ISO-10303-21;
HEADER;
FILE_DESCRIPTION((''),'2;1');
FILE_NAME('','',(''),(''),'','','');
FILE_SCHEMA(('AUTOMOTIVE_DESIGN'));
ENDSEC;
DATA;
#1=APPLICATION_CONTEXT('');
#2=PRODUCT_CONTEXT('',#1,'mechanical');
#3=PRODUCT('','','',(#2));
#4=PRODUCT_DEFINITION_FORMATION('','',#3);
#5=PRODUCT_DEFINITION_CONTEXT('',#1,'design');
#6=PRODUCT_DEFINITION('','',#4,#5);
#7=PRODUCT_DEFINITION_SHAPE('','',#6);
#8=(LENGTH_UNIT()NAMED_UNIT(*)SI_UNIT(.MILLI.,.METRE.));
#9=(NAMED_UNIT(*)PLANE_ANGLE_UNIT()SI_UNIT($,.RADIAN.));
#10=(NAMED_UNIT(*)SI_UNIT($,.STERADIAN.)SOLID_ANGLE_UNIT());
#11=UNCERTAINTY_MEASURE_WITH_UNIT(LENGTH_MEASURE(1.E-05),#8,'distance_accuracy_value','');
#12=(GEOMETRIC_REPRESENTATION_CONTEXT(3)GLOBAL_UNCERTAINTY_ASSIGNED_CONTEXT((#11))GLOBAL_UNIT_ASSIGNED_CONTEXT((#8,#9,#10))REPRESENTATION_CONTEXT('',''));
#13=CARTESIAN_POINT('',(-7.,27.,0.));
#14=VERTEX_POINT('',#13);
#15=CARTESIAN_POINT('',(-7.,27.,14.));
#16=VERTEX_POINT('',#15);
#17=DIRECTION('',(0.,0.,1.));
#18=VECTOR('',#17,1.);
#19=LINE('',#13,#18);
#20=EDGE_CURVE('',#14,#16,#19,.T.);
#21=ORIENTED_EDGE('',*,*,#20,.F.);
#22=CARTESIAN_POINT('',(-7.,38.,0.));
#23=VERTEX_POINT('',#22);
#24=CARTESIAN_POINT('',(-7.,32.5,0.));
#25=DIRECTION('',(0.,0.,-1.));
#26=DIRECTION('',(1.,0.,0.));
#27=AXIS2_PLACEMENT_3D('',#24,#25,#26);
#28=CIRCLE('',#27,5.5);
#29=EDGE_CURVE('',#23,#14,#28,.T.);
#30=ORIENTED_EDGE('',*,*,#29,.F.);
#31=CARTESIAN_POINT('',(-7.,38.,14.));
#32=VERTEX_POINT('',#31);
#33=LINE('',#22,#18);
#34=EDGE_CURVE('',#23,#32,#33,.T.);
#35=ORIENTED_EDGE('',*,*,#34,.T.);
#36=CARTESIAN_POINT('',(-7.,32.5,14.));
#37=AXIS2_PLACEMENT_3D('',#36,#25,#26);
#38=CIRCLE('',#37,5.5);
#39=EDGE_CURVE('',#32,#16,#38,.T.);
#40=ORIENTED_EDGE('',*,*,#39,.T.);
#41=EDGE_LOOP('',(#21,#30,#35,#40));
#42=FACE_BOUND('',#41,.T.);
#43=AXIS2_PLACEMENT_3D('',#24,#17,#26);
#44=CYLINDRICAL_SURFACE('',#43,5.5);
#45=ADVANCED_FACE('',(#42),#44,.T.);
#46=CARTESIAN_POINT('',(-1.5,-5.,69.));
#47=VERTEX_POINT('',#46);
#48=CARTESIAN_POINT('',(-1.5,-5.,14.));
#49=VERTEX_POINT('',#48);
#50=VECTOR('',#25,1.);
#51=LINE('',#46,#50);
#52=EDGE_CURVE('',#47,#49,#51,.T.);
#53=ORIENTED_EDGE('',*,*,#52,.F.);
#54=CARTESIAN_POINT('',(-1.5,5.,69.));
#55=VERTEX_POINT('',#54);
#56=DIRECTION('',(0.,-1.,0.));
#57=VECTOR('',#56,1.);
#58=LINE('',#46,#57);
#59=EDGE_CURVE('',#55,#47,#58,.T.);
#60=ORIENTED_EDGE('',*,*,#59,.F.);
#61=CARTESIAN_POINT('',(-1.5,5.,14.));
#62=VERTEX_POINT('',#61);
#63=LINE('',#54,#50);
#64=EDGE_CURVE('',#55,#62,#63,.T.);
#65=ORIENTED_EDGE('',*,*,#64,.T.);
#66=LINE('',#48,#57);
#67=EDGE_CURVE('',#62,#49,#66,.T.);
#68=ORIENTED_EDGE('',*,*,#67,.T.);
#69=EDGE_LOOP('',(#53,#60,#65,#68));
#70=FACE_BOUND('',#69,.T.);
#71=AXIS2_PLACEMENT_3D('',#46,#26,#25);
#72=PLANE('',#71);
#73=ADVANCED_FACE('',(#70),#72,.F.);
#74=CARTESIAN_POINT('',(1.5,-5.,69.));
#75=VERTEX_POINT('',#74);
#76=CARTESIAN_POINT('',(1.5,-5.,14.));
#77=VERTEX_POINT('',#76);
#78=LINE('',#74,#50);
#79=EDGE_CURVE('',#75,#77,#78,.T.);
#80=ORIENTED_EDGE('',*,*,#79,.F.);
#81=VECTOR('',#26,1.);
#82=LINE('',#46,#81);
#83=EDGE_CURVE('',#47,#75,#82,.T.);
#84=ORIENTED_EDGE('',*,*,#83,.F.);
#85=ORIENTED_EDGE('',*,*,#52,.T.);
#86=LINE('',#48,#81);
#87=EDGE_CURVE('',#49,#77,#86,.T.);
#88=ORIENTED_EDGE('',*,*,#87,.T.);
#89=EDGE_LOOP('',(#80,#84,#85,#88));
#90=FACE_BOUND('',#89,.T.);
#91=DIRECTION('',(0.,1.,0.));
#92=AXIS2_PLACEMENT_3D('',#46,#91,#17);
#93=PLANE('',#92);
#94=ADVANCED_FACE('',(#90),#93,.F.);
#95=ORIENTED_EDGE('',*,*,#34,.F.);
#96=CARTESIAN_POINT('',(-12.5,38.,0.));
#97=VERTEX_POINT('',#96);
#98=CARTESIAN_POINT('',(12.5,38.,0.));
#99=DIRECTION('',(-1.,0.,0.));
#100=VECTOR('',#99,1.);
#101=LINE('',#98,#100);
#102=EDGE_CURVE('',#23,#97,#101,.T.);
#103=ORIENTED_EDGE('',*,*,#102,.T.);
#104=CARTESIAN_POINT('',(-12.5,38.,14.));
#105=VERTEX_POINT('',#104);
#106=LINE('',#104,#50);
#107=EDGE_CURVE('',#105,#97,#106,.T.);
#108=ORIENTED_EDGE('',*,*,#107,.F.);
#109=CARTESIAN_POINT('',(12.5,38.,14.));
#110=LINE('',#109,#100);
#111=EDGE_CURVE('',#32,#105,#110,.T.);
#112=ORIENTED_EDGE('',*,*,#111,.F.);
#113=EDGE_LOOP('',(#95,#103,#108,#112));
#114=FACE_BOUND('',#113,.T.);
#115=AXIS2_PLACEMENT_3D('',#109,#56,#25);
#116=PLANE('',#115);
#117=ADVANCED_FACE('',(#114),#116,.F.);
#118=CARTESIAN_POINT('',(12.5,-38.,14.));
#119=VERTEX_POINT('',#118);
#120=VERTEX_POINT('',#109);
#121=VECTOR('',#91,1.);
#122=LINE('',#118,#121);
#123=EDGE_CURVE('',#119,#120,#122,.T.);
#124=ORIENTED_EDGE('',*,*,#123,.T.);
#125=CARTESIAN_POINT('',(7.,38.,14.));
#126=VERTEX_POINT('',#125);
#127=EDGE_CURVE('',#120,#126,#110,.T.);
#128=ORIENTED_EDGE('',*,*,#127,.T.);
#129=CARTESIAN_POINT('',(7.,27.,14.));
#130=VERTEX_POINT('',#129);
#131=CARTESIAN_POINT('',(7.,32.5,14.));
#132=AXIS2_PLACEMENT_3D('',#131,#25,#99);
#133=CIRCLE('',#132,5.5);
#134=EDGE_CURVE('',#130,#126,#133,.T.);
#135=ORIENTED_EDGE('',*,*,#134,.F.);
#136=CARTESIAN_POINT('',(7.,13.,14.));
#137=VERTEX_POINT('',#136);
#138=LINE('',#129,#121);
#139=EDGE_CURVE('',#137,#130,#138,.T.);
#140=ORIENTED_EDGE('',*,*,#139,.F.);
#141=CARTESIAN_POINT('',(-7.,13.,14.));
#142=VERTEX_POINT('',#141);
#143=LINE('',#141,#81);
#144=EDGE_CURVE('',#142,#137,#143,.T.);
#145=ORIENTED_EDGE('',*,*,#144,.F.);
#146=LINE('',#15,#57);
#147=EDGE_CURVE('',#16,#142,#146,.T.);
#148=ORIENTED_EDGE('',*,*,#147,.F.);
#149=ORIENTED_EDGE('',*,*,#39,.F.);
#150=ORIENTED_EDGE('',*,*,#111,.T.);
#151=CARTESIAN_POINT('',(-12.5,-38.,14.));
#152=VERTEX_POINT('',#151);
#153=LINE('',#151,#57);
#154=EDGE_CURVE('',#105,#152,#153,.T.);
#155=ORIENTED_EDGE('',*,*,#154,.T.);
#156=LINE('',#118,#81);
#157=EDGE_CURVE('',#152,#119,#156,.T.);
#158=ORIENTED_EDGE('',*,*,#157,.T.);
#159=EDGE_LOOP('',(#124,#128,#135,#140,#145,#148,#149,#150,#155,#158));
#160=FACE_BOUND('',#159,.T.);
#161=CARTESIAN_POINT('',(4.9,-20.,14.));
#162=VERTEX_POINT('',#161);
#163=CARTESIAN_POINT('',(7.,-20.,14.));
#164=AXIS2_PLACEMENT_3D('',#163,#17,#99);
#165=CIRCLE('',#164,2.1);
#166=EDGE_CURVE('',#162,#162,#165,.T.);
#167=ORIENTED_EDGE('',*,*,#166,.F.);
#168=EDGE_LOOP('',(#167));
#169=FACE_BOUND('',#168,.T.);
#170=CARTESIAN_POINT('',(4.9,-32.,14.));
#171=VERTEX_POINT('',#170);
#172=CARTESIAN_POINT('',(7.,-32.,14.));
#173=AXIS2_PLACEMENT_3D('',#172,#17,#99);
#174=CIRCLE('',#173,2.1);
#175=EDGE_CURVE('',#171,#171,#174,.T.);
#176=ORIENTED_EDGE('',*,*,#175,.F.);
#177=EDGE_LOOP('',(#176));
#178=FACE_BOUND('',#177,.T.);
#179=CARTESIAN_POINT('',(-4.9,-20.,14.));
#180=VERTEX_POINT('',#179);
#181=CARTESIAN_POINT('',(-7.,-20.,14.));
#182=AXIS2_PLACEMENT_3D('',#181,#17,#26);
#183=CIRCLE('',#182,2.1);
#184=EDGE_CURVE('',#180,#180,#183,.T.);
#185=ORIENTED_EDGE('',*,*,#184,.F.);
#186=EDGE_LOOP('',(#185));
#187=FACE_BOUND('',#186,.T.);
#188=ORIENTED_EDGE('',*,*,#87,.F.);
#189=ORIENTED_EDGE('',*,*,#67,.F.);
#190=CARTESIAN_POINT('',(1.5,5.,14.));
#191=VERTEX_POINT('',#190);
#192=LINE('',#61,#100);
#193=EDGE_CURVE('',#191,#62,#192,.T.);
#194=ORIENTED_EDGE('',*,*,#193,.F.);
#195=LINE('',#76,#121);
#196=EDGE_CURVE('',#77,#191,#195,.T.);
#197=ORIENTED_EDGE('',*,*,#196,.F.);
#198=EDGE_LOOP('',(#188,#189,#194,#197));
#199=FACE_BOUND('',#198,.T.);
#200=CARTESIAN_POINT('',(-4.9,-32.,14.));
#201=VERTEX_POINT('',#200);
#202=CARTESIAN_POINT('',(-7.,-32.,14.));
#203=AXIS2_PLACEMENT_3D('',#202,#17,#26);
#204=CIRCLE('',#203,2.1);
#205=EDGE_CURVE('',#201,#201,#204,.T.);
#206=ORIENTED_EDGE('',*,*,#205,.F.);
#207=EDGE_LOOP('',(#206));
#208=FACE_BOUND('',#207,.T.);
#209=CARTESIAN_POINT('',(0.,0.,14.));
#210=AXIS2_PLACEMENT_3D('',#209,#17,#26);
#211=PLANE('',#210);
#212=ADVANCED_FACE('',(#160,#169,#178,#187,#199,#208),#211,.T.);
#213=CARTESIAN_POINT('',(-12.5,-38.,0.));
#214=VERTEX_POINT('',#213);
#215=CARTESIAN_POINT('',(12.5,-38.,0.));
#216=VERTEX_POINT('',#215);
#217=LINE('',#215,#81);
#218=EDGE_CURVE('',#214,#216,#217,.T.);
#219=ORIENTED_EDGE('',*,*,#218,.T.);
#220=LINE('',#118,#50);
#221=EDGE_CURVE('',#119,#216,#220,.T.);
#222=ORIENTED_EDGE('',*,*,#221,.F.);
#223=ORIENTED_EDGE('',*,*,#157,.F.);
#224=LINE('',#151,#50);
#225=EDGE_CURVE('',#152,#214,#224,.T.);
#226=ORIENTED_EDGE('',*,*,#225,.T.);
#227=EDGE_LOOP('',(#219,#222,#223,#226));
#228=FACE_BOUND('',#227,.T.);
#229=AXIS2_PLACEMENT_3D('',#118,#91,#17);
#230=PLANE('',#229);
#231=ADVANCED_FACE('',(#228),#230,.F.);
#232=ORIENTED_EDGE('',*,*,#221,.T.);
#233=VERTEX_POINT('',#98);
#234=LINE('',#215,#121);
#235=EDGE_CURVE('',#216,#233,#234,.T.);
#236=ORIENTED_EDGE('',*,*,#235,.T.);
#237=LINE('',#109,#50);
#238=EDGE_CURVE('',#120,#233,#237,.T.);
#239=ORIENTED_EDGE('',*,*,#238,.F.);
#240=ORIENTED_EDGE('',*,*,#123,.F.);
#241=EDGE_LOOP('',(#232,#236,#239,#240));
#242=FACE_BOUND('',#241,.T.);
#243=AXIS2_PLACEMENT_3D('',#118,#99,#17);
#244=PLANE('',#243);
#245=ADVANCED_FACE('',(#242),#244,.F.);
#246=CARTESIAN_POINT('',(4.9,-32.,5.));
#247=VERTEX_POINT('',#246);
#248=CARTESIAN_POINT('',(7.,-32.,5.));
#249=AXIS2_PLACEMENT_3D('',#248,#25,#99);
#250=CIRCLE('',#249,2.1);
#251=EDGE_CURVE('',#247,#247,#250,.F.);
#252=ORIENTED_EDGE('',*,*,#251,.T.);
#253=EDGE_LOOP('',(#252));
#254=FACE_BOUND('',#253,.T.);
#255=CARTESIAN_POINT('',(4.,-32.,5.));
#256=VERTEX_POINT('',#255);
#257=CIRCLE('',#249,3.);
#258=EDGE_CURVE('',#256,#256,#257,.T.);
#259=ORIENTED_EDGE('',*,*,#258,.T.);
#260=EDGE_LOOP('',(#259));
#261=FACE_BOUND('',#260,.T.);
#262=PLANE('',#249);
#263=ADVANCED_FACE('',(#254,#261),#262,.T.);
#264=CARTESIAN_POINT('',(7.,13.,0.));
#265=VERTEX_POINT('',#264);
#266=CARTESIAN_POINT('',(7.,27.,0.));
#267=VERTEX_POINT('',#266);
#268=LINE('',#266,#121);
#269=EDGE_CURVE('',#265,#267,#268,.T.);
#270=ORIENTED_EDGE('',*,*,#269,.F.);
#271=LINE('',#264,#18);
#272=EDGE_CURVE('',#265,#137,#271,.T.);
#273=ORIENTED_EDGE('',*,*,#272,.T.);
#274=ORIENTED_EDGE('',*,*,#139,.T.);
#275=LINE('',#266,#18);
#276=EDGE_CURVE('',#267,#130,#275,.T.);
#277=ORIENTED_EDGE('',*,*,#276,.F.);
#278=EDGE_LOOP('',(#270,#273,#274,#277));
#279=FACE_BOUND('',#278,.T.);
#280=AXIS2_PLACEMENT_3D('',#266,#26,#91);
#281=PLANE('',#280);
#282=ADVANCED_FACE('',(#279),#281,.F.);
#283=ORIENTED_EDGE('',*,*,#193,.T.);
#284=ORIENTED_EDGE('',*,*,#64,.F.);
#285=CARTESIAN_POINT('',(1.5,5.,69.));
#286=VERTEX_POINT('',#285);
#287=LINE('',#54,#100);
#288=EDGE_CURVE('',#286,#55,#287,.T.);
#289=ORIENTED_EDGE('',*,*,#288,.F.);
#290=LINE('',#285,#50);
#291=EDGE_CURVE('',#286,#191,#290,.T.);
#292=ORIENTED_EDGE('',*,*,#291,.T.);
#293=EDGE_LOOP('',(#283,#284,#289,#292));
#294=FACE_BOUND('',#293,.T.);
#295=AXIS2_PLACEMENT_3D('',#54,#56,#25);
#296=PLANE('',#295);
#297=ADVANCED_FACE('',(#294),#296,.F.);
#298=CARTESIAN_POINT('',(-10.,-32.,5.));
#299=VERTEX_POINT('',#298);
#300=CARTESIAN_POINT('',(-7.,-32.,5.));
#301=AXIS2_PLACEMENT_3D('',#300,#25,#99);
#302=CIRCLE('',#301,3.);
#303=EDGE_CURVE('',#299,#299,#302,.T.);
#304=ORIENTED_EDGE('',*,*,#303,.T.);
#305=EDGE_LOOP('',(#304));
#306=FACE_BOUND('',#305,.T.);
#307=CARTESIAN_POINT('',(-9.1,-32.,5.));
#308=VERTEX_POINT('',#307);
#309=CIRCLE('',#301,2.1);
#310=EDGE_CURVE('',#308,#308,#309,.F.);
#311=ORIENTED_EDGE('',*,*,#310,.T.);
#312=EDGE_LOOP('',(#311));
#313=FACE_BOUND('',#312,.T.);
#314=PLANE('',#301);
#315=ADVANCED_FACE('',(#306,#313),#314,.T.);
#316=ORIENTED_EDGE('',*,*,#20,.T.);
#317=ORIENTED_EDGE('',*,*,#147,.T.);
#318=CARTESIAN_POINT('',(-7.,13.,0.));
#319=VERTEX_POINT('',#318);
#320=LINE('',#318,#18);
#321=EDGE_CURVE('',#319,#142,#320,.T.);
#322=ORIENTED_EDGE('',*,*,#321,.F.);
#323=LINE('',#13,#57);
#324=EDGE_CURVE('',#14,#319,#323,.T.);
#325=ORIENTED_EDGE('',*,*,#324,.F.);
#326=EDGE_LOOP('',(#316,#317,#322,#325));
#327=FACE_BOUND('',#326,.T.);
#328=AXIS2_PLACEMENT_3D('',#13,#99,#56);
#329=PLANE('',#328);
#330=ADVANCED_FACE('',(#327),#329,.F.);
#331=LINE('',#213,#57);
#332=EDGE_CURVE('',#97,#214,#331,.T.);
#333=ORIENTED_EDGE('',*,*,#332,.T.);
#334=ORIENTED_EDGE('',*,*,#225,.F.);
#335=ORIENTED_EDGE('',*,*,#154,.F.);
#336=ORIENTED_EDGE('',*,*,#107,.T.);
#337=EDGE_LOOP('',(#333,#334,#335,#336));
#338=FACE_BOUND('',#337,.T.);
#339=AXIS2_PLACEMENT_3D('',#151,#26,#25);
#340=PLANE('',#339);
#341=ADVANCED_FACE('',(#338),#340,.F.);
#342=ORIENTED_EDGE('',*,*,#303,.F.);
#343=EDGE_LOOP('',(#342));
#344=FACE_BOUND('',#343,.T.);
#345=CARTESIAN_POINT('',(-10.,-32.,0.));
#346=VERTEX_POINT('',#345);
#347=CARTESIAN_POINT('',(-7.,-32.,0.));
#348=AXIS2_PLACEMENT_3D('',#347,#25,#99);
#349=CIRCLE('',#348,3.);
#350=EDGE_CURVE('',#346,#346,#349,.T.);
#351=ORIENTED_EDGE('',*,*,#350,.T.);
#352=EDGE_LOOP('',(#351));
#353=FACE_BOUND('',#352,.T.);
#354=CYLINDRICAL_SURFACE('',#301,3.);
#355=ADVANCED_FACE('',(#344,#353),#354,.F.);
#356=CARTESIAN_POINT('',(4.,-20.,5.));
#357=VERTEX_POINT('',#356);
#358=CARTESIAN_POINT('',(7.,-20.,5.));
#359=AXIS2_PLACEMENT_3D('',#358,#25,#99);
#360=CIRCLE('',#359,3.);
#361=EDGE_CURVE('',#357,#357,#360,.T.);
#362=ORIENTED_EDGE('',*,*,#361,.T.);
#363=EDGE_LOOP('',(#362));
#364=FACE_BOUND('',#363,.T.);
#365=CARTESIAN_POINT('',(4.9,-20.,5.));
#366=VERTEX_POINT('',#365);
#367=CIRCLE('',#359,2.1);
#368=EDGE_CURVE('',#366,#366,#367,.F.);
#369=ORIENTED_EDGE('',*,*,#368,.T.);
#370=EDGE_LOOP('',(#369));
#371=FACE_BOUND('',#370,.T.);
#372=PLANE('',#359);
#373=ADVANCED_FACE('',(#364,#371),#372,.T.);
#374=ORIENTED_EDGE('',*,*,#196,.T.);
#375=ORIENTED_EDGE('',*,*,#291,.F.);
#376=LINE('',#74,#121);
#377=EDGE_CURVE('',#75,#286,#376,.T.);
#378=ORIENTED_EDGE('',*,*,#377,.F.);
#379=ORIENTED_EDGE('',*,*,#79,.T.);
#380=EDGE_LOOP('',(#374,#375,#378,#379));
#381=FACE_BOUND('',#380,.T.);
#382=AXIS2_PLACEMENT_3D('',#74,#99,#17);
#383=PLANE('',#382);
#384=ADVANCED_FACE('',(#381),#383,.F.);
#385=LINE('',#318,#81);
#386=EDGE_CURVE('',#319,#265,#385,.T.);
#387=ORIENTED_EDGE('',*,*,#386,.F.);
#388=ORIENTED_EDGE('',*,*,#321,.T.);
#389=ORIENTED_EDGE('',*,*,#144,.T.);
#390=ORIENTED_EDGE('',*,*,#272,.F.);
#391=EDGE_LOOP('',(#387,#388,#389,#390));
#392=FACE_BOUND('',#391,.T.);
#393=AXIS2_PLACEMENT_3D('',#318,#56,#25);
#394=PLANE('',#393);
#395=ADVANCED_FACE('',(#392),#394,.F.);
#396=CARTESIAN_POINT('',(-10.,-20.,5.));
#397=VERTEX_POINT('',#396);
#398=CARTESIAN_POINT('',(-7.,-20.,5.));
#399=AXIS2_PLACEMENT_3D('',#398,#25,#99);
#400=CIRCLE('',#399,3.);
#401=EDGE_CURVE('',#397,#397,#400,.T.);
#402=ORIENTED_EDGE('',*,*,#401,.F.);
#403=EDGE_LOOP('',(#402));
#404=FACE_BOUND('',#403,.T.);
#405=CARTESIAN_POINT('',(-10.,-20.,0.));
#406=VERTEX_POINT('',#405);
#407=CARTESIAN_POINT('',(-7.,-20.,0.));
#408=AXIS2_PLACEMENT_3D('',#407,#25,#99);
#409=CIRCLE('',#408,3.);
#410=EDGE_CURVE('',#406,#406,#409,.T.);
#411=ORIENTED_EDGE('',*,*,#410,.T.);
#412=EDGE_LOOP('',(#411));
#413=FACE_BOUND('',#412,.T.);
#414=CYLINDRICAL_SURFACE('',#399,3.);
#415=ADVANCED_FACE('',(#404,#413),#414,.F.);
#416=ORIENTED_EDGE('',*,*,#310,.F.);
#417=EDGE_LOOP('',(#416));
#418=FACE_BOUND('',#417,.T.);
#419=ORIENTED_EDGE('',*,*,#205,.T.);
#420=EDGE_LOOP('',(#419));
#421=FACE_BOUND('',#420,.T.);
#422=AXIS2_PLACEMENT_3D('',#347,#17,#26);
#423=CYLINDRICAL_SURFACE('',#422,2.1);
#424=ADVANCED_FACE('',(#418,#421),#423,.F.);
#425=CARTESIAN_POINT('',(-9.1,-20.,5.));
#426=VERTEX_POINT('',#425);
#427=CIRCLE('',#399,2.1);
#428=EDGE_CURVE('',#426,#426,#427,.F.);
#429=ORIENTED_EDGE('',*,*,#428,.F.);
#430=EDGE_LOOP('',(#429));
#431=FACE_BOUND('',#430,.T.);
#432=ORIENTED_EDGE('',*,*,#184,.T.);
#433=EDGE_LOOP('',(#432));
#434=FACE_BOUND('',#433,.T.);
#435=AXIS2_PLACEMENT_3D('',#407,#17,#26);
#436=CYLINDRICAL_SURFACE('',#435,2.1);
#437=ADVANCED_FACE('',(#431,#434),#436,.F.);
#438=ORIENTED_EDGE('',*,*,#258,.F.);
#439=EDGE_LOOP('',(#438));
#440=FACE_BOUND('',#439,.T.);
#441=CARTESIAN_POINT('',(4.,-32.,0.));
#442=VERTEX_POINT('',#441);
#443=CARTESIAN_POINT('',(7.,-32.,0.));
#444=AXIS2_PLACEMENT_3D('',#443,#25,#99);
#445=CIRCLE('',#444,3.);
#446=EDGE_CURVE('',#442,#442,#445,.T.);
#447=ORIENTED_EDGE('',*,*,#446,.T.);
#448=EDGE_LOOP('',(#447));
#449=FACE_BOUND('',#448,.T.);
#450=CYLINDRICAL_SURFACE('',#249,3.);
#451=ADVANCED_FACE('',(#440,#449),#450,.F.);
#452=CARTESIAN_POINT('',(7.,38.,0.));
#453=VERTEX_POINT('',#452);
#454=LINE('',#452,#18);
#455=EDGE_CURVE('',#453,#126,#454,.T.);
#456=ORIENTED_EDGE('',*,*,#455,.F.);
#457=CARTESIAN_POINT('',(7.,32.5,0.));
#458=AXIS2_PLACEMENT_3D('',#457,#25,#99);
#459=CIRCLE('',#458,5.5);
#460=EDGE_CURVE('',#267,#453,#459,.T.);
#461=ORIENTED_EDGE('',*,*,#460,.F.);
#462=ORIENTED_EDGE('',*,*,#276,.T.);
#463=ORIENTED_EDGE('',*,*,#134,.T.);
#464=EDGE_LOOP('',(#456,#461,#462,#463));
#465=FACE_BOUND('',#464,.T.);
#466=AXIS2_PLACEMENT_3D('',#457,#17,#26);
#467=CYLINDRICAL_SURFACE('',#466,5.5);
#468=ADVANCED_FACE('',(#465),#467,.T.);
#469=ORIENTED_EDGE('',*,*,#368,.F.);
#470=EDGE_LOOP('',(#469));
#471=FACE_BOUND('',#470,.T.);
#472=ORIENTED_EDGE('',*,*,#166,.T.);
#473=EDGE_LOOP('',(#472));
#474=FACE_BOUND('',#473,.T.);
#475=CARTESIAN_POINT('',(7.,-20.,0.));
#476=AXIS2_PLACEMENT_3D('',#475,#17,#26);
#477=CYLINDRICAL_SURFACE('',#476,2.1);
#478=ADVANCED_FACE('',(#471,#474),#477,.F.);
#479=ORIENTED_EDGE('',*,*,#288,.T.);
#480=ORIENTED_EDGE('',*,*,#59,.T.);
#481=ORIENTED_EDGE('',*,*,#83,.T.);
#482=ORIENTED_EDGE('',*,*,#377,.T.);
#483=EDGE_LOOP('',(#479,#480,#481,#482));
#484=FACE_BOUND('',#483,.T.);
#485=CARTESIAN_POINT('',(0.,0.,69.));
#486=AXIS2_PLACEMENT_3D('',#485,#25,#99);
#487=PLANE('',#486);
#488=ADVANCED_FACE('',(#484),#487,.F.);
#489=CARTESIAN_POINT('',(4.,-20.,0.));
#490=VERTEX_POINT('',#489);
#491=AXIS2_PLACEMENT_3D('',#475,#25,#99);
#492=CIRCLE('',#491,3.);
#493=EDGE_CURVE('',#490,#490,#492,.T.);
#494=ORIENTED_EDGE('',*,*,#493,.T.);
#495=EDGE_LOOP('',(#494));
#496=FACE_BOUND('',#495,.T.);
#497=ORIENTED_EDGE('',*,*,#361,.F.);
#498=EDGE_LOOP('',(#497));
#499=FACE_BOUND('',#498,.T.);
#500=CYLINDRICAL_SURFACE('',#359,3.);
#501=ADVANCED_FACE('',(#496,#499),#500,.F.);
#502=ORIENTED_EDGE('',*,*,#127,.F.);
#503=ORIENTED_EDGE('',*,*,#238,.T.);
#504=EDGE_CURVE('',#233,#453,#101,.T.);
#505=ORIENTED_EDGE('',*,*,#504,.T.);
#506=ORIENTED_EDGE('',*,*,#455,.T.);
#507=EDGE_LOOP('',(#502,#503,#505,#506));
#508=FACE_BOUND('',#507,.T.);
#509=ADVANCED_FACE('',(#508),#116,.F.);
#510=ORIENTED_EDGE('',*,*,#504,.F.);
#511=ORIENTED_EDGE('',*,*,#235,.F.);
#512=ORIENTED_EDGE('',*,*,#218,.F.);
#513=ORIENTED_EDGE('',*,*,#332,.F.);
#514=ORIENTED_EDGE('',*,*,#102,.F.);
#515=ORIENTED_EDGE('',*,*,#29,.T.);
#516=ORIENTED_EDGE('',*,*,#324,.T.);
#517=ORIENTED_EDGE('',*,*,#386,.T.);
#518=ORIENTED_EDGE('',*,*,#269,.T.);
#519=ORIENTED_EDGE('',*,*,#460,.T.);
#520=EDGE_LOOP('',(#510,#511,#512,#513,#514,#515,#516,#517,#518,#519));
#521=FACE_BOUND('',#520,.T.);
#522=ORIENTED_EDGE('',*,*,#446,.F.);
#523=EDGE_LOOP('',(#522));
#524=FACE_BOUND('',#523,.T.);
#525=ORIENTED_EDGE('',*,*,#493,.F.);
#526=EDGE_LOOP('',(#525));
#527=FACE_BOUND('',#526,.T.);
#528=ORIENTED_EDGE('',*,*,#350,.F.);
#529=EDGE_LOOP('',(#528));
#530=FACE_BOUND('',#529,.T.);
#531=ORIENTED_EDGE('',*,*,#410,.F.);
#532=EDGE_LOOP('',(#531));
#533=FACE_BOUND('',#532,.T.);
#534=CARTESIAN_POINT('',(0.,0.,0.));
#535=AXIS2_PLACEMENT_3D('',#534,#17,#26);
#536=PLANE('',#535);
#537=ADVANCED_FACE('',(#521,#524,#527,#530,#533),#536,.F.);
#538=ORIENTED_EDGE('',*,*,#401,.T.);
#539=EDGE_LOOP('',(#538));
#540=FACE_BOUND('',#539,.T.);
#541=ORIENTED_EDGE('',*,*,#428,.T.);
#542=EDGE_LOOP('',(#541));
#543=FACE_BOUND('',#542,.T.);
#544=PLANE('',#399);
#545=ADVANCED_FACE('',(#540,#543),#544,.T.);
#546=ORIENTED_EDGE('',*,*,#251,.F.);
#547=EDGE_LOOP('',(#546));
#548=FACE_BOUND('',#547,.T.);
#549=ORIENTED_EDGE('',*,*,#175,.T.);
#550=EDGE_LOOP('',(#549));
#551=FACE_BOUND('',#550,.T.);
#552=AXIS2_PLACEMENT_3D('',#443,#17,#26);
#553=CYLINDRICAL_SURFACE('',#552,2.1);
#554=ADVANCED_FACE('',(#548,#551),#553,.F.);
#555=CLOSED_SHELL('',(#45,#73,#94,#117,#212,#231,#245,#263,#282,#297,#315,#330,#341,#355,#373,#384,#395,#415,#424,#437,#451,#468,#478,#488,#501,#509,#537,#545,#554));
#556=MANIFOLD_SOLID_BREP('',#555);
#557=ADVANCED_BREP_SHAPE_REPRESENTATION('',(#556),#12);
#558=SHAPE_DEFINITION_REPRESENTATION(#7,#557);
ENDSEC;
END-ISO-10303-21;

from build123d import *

# Parameters (mm, degrees)
SKETCH_1_W          = 25
SKETCH_1_H          = 76
EXTRUDE_1_DEPTH     = 14
SKETCH_2_W          = 3
SKETCH_2_H          = 10
EXTRUDE_2_DEPTH     = 55
SKETCH_3_R          = 2.1
CUT_EXTRUDE_1_DEPTH = 69.009190555
CUT_EXTRUDE_3_DEPTH = 69.009190555
SKETCH_6_R          = 3
CUT_EXTRUDE_4_DEPTH = 5


with BuildPart() as part:
    # 草图1 → 凸台-拉伸1 (new body)
    with BuildSketch(Plane.XY):
        Rectangle(SKETCH_1_W, SKETCH_1_H)
    extrude(amount=EXTRUDE_1_DEPTH)

    # 草图2 → 凸台-拉伸2 (add)
    with BuildSketch(Plane.XY.offset(14)):
        Rectangle(SKETCH_2_W, SKETCH_2_H)
    extrude(amount=EXTRUDE_2_DEPTH)

    # 草图3 → 切除-拉伸1 (cut, through all)
    with BuildSketch(Plane.XY.offset(14)):
        with Locations((-7, -20)):
            Circle(SKETCH_3_R)
        with Locations((-7, -32)):
            Circle(SKETCH_3_R)
        with Locations(Location((7, -32, 0), (0, 0, 180))):
            Circle(SKETCH_3_R)
        with Locations(Location((7, -20, 0), (0, 0, 180))):
            Circle(SKETCH_3_R)
    extrude(amount=-CUT_EXTRUDE_1_DEPTH, mode=Mode.SUBTRACT)

    # 草图5 → 切除-拉伸3 (cut, through all)
    with BuildSketch(Plane.XY.offset(14)):
        with BuildLine():
            Line((-7, 13), (7, 13))
            Line((7, 13), (7, 27))
            ThreePointArc((7, 27), (1.5, 32.5), (7, 38))
            Line((7, 38), (-7, 38))
            ThreePointArc((-7, 38), (-1.5, 32.5), (-7, 27))
            Line((-7, 27), (-7, 13))
        make_face()
    extrude(amount=-CUT_EXTRUDE_3_DEPTH, mode=Mode.SUBTRACT)

    # 草图6 → 切除-拉伸4 (cut)
    with BuildSketch(Plane(origin=(0, 0, 0), x_dir=(-1, 0, 0), z_dir=(0, 0, -1))):
        with Locations((7, -20)):
            Circle(SKETCH_6_R)
        with Locations((-7, -20)):
            Circle(SKETCH_6_R)
        with Locations((-7, -32)):
            Circle(SKETCH_6_R)
        with Locations((7, -32)):
            Circle(SKETCH_6_R)
    extrude(amount=-CUT_EXTRUDE_4_DEPTH, mode=Mode.SUBTRACT)


solid = part.part
